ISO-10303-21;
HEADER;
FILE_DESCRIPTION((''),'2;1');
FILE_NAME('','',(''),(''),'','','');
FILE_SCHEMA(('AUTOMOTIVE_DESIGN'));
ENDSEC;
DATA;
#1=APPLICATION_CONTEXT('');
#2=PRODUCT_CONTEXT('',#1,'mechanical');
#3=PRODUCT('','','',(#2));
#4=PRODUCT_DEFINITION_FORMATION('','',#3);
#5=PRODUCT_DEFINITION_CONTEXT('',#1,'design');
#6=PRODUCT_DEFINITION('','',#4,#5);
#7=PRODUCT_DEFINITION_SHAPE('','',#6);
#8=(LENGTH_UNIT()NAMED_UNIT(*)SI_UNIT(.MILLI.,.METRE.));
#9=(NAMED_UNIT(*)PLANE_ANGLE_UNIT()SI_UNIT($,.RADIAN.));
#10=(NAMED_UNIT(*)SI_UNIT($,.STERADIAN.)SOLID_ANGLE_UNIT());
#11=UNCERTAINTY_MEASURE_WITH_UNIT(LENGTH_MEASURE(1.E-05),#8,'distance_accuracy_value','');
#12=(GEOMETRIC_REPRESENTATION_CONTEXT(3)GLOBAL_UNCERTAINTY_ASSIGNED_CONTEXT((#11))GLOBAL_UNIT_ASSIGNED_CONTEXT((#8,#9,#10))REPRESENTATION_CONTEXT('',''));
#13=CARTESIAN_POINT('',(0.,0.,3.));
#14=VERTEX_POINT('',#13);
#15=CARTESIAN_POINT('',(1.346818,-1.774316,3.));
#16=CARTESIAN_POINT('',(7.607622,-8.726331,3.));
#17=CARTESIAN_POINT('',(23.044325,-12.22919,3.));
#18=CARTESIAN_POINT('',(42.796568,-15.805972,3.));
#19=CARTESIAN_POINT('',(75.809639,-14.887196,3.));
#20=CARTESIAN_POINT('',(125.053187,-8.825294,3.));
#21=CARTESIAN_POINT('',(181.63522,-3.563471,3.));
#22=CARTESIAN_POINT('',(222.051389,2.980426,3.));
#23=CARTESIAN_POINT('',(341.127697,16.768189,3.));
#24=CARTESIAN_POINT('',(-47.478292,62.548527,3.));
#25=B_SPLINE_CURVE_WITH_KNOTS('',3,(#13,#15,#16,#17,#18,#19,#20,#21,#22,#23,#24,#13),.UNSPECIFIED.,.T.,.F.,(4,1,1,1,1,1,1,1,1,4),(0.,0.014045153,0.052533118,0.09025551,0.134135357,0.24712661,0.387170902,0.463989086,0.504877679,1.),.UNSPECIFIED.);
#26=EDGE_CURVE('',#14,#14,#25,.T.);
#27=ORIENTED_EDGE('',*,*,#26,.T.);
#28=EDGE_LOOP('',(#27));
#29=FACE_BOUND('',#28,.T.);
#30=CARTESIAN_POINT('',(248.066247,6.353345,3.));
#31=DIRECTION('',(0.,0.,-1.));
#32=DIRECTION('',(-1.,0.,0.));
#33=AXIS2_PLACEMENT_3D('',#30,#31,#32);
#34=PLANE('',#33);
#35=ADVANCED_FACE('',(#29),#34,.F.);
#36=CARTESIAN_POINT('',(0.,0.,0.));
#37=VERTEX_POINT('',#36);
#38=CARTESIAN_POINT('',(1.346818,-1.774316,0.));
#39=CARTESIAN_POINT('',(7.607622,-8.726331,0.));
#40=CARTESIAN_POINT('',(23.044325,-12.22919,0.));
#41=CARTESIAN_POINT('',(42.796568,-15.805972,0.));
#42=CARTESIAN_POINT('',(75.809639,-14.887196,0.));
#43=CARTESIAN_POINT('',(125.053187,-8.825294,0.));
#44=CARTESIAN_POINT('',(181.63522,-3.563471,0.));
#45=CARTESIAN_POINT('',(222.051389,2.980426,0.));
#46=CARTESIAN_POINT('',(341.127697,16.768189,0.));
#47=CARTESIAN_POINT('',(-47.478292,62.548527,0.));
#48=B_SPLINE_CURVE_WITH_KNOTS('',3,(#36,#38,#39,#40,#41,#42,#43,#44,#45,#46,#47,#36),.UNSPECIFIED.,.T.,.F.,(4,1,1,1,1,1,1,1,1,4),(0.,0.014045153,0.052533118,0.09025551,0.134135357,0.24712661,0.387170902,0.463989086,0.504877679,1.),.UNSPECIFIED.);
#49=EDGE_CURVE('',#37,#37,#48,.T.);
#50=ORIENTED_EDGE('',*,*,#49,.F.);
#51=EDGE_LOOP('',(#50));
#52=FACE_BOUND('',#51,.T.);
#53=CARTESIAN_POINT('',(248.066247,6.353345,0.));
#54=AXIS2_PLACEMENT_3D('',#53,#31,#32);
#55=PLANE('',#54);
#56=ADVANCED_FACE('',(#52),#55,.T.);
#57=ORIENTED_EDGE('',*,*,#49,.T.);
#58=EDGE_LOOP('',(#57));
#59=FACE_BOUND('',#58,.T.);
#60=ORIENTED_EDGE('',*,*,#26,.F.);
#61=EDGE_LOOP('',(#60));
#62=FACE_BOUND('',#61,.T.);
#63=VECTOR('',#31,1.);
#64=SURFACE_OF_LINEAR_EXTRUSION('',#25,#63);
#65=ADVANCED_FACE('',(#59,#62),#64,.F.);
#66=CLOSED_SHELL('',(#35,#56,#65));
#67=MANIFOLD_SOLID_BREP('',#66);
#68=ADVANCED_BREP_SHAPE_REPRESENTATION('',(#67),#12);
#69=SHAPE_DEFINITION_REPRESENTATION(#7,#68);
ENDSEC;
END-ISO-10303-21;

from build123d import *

# Parameters (mm, degrees)
EXTRUDE_1_DEPTH = 3


with BuildPart() as part:
    # ｽｹｯﾁ1 → ﾎﾞｽ - 押し出し1 (new body)
    with BuildSketch(Plane.XY):
        with BuildLine():
            add(Edge.make_bspline(
                [(0, 0), (1.346818436, -1.774316354), (7.607621803, -8.726330935), (23.044325036, -12.229189562), (42.796567803, -15.805972005), (75.809638704, -14.887195625), (125.053187111, -8.825293871), (181.635220322, -3.563471139), (222.051389355, 2.980425951), (341.127697081, 16.768188922), (-47.478291998, 62.5485275), (0, 0)],
                knots=[0, 0, 0, 0, 0.014045153, 0.052533118, 0.09025551, 0.134135357, 0.24712661, 0.387170902, 0.463989086, 0.504877679, 1, 1, 1, 1], degree=3))
        make_face()
    extrude(amount=EXTRUDE_1_DEPTH)


solid = part.part
